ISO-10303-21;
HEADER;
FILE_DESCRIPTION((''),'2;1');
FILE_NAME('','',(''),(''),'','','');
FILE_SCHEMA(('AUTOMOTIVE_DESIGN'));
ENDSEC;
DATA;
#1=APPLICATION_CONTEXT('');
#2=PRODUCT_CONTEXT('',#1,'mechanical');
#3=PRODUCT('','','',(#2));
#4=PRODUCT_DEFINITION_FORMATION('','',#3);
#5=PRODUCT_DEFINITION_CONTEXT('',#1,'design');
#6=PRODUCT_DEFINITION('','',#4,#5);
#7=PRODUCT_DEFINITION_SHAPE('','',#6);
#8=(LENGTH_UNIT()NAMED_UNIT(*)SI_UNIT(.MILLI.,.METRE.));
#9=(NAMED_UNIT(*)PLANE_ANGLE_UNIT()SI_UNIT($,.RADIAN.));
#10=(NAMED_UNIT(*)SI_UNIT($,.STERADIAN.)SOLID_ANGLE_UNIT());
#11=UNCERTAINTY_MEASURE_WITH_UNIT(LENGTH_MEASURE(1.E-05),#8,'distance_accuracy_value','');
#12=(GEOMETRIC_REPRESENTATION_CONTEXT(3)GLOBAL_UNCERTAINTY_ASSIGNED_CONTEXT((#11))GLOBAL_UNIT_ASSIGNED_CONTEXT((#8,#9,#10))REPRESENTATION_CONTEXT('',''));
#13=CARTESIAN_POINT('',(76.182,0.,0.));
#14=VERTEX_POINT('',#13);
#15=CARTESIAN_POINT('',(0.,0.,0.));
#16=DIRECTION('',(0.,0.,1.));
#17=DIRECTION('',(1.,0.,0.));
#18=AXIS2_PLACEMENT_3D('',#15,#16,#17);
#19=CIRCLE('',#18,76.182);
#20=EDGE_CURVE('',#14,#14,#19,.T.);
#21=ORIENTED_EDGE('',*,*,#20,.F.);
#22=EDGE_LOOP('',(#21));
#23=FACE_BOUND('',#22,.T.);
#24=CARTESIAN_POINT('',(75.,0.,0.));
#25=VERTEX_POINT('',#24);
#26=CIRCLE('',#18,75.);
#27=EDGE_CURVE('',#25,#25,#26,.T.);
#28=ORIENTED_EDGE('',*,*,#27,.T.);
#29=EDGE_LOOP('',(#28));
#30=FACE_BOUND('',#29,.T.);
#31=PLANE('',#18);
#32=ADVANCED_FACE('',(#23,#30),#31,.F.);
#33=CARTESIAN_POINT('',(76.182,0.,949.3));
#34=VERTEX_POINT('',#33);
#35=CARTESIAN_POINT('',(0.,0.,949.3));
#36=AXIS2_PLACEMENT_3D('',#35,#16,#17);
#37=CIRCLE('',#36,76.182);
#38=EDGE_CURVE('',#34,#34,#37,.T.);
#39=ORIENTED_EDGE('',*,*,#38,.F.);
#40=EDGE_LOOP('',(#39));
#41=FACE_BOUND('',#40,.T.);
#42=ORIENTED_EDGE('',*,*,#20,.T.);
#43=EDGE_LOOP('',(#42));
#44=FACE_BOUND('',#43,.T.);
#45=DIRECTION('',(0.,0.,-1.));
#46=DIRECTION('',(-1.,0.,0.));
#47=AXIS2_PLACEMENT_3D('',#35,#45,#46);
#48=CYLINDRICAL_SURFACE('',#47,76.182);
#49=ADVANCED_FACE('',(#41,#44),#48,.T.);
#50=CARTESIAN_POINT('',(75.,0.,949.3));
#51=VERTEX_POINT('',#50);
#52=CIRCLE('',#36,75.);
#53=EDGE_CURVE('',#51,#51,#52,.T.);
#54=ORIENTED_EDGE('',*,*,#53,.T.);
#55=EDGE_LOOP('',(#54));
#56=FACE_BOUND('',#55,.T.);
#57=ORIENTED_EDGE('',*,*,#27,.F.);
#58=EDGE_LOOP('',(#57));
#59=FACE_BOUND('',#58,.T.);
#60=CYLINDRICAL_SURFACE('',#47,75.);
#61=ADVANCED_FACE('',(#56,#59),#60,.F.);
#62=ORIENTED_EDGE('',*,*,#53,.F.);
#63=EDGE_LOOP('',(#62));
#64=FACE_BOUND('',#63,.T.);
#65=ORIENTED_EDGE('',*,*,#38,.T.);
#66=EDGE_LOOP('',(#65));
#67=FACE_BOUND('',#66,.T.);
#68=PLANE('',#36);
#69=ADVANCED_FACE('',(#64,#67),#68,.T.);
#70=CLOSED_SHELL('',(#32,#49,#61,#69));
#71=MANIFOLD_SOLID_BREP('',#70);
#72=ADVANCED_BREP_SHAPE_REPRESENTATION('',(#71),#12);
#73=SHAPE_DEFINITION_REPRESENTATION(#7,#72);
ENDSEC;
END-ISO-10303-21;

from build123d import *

# Parameters (mm, degrees)
ESQUISSE1_R        = 76.182
ESQUISSE1_R_2      = 75
BOSS_EXTRU_1_DEPTH = 949.3


with BuildPart() as part:
    # Esquisse1 → Boss.-Extru.1 (new body)
    with BuildSketch(Plane.XY):
        Circle(ESQUISSE1_R)
        Circle(ESQUISSE1_R_2, mode=Mode.SUBTRACT)
    extrude(amount=BOSS_EXTRU_1_DEPTH)


solid = part.part
